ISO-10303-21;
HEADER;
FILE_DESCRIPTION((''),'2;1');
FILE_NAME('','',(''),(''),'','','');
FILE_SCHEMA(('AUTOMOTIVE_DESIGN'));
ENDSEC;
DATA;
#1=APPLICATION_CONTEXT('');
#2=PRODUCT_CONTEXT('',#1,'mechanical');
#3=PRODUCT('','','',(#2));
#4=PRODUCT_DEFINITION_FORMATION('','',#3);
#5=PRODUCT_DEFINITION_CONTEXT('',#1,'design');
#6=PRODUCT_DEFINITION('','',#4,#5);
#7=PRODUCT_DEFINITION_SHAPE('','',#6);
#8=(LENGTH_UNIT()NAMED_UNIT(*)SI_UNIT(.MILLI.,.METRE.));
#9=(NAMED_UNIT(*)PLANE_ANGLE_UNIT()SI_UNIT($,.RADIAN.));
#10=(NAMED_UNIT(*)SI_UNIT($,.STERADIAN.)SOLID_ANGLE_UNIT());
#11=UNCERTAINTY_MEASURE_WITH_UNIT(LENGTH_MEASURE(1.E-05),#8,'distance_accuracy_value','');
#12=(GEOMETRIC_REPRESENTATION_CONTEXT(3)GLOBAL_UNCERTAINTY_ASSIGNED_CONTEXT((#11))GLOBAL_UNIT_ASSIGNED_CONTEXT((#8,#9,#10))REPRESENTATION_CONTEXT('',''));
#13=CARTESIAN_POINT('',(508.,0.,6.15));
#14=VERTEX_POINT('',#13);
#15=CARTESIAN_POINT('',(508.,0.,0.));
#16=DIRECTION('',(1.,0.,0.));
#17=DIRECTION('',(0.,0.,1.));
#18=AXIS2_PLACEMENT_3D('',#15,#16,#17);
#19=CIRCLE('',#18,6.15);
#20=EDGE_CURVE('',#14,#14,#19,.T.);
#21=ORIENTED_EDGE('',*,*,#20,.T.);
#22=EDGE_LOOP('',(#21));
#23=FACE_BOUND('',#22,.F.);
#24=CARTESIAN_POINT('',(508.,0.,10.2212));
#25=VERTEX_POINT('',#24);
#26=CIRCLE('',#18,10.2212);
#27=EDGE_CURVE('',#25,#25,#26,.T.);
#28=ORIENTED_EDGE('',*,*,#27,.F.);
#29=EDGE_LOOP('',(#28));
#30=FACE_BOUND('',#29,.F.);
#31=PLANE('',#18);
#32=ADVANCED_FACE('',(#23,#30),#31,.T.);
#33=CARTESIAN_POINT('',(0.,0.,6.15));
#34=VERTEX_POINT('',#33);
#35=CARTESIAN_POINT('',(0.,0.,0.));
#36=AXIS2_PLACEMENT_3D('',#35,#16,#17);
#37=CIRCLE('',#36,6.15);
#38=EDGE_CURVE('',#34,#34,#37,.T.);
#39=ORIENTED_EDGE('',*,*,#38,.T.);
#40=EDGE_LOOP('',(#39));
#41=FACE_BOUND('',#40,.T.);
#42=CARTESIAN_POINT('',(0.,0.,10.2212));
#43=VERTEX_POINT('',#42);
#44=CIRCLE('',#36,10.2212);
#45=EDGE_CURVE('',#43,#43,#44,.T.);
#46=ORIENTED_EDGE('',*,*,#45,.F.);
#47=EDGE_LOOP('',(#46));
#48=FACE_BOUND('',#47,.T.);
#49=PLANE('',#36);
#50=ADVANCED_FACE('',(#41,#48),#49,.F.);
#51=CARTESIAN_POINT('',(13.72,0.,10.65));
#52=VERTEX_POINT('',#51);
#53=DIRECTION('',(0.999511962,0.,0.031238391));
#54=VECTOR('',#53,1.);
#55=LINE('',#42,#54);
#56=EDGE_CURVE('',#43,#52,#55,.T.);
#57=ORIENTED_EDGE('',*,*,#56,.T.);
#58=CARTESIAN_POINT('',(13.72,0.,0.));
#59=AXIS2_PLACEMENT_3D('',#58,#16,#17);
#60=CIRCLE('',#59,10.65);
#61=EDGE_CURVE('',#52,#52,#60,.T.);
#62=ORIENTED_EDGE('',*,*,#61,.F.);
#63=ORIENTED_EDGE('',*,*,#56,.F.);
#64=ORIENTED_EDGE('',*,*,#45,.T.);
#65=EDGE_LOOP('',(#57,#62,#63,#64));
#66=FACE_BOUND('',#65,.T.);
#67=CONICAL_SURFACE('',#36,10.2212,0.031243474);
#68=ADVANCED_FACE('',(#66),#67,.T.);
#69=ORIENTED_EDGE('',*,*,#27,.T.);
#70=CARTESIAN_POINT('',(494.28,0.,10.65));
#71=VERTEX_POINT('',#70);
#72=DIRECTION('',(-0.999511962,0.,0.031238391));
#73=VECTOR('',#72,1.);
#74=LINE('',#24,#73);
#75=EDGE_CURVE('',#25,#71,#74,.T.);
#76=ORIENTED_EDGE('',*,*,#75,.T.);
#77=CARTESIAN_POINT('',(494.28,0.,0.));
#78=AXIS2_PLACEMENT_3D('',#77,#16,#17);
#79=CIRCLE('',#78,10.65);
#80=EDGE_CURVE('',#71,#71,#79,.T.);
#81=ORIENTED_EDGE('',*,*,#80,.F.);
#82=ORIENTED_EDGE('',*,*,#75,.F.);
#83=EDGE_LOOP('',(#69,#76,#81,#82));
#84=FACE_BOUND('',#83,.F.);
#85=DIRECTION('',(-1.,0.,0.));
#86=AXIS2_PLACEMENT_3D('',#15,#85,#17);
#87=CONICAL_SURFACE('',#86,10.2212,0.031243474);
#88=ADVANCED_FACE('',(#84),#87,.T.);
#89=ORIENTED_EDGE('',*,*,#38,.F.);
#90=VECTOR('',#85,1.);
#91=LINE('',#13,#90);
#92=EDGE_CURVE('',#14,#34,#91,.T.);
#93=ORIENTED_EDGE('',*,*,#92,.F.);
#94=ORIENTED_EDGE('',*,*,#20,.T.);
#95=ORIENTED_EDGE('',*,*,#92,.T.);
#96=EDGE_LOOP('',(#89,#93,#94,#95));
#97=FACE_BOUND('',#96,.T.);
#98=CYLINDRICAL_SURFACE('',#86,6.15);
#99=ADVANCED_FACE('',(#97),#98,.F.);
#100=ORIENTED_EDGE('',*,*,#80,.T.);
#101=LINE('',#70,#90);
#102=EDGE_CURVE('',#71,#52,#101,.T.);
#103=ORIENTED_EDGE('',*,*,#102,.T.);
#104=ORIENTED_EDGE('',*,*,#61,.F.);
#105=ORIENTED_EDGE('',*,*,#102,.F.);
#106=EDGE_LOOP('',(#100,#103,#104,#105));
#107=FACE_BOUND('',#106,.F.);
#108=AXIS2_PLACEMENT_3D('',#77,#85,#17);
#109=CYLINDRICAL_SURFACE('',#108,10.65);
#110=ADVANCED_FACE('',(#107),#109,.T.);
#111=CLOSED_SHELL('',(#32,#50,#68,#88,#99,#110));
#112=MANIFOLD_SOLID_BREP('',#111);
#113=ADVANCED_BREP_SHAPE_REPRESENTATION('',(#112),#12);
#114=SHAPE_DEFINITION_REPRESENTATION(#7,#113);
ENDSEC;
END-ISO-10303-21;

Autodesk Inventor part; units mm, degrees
ref_plane "YZ Plane" through (0, 0, 0) normal (1, 0, 0) x (0, 1, 0)
ref_plane "XZ Plane" through (0, 0, 0) normal (0, 1, 0) x (-1, 0, 0)
ref_plane "XY Plane" through (0, 0, 0) normal (0, 0, 1) x (1, 0, 0)
sketch "Sketch1" plane through (0, 0, 0) normal (0, 1, 0) x (-1, 0, 0)
  line L0 (0, 0) -> (-508, 0)
  line L1 (-508, 6.15) -> (-508, 10.2212)
  line L2 (-508, 10.2212) -> (-494.28, 10.65)
  line L3 (-494.28, 10.65) -> (-13.72, 10.65)
  line L4 (-254, 0) -> (-254, 10.65) construction
  line L5 (-499.8, 0) -> (-499.8, 10.4775) construction
  line L6 (0, 6.15) -> (0, 10.2212)
  line L7 (0, 10.2212) -> (-13.72, 10.65)
  line L8 (-8.2, 0) -> (-8.2, 10.4775) construction
  line L9 (-508, 6.15) -> (0, 6.15)
  line L10 (-508, 6.15) -> (-508, 0) construction
  line L11 (0, 6.15) -> (0, 0) construction
  line L12 (-13.72, 10.65) -> (-13.72, 0) construction
  line L13 (-494.28, 10.65) -> (-494.28, 0) construction
  dimension "d0" = 20.955
  dimension "d1" = 21.3
  dimension "d2" = 1.79
  dimension "d3" = 508
  dimension "d4" = 8.2
  dimension "d5" = 4.5
revolve "Revolution1" add sketch "Sketch1" angle 360 about axis through (0, 0, 0) along (1, 0, 0)
thread "Thread1" size "R 1/2" standard "DIN Pipe Taper" full length
thread "Thread2" size "R 1/2" standard "DIN Pipe Taper" full length
equation "\"d0\" = MjD"
equation "\"d1\" = OD"
equation "\"d3\" = L"
equation "\"d4\" = a"
equation "\"d5\" = t"
equation "\"OD\" = 21.3"
equation "\"t\" = 4.5"
equation "\"L\" = PL"
equation "\"ID\" = 12.3"
equation "\"PL\" = 508"
equation "\"a\" = 8.2"
equation "\"MjD\" = 20.955"
equation "\"Size_Designation\" = 1.2345"
equation "\"PLmin\" = 2 * a - 32 * MjD + 32 * OD + t"
properties material "Steel"
